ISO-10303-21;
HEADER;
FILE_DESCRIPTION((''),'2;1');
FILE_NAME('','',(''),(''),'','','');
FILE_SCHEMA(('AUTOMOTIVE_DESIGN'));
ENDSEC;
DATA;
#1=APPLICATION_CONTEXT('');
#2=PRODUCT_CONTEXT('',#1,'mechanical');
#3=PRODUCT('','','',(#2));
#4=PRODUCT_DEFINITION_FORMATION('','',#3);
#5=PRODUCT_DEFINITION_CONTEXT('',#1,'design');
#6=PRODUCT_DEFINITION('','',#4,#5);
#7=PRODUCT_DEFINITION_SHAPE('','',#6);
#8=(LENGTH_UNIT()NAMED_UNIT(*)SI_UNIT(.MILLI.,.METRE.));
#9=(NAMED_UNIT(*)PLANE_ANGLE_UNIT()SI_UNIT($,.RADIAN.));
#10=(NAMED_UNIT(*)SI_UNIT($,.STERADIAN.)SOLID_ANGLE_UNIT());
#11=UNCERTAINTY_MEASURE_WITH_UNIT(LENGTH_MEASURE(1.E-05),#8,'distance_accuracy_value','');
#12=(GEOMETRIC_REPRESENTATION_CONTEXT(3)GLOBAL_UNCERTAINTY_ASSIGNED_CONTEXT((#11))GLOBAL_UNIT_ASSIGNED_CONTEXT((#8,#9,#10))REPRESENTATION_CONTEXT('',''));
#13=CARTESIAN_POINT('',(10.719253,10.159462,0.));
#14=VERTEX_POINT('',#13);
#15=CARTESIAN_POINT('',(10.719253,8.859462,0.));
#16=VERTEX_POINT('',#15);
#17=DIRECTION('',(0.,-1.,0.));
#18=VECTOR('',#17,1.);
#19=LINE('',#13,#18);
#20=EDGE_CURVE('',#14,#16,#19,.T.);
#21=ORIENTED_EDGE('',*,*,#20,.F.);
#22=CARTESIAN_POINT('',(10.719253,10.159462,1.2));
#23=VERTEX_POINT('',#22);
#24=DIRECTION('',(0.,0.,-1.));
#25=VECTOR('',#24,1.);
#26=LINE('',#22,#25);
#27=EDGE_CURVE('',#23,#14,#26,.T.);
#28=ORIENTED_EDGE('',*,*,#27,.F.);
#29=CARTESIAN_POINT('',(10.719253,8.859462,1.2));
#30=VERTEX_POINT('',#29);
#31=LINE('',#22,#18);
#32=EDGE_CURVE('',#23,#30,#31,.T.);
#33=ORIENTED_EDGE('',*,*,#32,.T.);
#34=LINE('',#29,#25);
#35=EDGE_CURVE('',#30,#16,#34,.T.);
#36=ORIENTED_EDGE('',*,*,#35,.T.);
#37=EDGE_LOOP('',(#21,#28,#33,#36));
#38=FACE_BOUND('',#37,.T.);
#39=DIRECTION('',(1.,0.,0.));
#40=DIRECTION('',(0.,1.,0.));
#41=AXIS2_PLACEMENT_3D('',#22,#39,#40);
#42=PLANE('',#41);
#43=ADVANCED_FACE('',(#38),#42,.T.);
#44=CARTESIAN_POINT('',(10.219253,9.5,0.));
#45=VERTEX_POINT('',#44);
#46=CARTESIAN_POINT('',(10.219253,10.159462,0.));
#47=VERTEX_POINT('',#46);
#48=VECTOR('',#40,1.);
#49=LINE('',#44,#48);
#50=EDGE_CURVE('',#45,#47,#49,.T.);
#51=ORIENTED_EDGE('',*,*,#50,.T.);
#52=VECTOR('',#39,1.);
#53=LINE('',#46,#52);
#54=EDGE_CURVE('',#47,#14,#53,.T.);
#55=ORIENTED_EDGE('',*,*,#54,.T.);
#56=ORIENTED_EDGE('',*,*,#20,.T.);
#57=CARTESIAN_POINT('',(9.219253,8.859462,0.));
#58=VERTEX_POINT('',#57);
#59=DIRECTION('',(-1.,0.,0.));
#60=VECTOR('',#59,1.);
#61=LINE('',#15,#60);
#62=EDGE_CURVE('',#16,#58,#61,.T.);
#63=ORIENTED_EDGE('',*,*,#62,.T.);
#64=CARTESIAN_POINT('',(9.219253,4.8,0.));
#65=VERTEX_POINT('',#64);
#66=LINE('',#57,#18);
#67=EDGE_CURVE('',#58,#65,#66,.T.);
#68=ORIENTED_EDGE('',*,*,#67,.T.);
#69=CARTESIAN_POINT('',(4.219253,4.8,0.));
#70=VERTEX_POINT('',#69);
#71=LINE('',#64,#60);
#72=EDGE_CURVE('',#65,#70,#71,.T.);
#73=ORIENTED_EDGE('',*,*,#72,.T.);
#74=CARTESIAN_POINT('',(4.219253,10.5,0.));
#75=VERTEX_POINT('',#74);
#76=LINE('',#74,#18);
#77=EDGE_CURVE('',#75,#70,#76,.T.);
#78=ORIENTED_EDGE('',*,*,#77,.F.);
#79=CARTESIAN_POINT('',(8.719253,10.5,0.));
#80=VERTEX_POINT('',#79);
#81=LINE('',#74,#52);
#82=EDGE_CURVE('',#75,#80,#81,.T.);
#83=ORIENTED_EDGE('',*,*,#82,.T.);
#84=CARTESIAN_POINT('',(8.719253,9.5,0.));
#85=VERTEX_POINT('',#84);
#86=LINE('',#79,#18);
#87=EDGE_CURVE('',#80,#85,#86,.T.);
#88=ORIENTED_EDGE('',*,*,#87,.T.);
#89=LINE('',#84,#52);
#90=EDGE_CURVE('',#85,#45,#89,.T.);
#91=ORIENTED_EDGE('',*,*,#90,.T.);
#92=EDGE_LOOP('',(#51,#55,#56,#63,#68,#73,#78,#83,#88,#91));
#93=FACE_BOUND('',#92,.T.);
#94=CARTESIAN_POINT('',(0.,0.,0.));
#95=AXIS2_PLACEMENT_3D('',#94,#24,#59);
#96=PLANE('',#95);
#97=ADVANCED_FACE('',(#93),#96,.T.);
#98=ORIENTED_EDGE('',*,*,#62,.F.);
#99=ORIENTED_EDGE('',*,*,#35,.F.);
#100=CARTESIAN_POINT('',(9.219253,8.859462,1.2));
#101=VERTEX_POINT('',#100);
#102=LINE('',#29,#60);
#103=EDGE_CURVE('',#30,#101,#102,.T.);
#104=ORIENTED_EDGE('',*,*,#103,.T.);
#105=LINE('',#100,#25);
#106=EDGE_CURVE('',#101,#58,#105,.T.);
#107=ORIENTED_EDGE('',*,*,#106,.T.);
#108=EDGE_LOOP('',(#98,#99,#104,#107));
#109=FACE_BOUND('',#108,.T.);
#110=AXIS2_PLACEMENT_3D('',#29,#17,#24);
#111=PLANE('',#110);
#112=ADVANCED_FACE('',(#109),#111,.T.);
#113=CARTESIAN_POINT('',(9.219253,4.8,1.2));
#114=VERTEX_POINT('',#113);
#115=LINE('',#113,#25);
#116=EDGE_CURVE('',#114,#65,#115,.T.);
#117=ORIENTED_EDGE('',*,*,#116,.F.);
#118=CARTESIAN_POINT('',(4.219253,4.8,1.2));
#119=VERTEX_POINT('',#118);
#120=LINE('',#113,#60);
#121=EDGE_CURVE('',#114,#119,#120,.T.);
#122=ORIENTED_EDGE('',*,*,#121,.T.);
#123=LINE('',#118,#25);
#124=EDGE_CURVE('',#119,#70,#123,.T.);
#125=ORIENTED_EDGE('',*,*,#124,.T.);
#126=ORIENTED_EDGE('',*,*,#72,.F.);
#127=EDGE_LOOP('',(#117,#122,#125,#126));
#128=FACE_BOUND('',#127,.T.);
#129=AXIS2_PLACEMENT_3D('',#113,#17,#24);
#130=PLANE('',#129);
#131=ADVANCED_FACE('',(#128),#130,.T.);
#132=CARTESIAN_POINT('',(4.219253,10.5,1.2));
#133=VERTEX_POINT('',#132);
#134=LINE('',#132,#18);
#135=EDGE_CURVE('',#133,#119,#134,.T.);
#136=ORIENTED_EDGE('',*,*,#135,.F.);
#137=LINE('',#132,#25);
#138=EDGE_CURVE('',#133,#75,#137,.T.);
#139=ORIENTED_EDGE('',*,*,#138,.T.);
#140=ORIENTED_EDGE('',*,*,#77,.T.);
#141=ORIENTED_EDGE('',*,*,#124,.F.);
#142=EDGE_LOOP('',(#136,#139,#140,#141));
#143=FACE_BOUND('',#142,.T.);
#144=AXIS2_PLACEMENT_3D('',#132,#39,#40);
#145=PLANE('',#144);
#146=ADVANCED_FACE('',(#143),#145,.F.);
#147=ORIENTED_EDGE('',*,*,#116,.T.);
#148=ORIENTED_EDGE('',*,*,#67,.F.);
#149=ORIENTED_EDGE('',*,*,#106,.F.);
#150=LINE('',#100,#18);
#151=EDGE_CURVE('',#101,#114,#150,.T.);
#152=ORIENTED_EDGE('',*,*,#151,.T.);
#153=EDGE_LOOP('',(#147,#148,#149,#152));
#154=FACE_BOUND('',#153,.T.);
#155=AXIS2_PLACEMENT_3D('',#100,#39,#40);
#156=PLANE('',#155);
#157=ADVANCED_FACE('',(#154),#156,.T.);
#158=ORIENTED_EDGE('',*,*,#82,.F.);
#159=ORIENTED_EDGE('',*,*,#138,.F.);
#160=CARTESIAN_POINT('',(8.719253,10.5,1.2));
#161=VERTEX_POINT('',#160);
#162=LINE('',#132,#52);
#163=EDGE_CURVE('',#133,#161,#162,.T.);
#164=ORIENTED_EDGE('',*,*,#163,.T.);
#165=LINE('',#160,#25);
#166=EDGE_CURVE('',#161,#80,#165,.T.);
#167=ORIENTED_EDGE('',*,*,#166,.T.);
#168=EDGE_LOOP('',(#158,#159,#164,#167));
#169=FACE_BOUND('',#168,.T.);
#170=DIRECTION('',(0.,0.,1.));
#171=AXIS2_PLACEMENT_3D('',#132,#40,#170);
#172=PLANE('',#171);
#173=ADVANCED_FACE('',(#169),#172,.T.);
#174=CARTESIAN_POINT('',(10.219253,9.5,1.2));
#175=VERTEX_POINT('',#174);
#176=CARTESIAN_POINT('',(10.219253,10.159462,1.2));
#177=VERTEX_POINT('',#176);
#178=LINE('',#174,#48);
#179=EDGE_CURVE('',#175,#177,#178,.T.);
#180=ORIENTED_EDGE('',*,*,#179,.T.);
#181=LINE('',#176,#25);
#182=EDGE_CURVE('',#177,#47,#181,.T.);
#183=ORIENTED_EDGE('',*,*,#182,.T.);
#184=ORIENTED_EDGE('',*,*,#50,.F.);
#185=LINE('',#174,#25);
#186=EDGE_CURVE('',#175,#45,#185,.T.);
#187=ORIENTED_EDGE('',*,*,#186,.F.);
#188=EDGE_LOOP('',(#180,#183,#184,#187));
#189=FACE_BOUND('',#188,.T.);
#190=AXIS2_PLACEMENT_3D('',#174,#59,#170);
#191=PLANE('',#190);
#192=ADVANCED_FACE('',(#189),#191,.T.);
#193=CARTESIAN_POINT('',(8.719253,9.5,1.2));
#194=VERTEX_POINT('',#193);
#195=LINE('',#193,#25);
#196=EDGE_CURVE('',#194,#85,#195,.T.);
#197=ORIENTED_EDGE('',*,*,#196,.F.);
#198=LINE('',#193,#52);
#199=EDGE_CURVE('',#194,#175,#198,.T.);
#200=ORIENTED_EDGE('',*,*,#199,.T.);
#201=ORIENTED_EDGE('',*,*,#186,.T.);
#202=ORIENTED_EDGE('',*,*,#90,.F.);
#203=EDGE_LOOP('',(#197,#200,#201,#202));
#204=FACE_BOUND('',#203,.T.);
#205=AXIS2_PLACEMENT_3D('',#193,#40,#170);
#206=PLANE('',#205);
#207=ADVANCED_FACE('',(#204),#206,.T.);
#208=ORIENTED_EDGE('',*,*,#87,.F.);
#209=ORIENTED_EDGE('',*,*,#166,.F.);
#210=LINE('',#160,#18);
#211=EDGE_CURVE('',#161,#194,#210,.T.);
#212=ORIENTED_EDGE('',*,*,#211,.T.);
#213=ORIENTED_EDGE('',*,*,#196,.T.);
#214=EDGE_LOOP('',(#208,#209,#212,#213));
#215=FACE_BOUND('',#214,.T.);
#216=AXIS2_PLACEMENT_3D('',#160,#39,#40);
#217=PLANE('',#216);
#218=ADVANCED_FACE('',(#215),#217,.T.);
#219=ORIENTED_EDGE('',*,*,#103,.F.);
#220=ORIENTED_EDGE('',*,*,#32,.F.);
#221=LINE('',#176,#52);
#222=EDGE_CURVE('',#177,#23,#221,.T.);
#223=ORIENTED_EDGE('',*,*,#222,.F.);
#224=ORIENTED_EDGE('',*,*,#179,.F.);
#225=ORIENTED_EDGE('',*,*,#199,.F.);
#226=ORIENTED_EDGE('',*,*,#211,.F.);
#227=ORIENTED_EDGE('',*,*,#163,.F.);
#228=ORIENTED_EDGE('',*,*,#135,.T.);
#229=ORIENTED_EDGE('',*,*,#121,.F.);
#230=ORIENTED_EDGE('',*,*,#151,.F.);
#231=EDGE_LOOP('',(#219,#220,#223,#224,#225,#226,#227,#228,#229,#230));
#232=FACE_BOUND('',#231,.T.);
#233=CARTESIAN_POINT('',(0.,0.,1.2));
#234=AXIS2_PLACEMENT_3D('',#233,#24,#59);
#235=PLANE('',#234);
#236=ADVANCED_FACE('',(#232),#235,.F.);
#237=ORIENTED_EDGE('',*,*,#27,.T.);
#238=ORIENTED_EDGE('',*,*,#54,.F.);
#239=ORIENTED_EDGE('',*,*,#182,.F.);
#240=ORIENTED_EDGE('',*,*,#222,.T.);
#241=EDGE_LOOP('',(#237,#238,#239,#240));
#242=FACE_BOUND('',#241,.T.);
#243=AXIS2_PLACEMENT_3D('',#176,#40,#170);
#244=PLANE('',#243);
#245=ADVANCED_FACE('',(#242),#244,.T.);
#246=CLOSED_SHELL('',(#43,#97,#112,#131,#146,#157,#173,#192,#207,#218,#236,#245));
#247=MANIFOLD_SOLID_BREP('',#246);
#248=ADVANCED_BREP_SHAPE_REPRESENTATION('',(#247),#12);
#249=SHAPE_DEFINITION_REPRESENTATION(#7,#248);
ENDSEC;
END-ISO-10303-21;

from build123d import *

# Parameters (mm, degrees)
EXTRUDE_1_DEPTH = 1.2


with BuildPart() as part:
    # 草图1 → 凸台-拉伸1 (new body)
    with BuildSketch(Plane.XY):
        Polygon((4.219252835, 10.5), (4.219252835, 4.8), (9.219252835, 4.8), (9.219252835, 8.859461555), (10.719252835, 8.859461555), (10.719252835, 10.159461555), (10.219252835, 10.159461555), (10.219252835, 9.5), (8.719252835, 9.5), (8.719252835, 10.5), align=None)
    extrude(amount=EXTRUDE_1_DEPTH)


solid = part.part
